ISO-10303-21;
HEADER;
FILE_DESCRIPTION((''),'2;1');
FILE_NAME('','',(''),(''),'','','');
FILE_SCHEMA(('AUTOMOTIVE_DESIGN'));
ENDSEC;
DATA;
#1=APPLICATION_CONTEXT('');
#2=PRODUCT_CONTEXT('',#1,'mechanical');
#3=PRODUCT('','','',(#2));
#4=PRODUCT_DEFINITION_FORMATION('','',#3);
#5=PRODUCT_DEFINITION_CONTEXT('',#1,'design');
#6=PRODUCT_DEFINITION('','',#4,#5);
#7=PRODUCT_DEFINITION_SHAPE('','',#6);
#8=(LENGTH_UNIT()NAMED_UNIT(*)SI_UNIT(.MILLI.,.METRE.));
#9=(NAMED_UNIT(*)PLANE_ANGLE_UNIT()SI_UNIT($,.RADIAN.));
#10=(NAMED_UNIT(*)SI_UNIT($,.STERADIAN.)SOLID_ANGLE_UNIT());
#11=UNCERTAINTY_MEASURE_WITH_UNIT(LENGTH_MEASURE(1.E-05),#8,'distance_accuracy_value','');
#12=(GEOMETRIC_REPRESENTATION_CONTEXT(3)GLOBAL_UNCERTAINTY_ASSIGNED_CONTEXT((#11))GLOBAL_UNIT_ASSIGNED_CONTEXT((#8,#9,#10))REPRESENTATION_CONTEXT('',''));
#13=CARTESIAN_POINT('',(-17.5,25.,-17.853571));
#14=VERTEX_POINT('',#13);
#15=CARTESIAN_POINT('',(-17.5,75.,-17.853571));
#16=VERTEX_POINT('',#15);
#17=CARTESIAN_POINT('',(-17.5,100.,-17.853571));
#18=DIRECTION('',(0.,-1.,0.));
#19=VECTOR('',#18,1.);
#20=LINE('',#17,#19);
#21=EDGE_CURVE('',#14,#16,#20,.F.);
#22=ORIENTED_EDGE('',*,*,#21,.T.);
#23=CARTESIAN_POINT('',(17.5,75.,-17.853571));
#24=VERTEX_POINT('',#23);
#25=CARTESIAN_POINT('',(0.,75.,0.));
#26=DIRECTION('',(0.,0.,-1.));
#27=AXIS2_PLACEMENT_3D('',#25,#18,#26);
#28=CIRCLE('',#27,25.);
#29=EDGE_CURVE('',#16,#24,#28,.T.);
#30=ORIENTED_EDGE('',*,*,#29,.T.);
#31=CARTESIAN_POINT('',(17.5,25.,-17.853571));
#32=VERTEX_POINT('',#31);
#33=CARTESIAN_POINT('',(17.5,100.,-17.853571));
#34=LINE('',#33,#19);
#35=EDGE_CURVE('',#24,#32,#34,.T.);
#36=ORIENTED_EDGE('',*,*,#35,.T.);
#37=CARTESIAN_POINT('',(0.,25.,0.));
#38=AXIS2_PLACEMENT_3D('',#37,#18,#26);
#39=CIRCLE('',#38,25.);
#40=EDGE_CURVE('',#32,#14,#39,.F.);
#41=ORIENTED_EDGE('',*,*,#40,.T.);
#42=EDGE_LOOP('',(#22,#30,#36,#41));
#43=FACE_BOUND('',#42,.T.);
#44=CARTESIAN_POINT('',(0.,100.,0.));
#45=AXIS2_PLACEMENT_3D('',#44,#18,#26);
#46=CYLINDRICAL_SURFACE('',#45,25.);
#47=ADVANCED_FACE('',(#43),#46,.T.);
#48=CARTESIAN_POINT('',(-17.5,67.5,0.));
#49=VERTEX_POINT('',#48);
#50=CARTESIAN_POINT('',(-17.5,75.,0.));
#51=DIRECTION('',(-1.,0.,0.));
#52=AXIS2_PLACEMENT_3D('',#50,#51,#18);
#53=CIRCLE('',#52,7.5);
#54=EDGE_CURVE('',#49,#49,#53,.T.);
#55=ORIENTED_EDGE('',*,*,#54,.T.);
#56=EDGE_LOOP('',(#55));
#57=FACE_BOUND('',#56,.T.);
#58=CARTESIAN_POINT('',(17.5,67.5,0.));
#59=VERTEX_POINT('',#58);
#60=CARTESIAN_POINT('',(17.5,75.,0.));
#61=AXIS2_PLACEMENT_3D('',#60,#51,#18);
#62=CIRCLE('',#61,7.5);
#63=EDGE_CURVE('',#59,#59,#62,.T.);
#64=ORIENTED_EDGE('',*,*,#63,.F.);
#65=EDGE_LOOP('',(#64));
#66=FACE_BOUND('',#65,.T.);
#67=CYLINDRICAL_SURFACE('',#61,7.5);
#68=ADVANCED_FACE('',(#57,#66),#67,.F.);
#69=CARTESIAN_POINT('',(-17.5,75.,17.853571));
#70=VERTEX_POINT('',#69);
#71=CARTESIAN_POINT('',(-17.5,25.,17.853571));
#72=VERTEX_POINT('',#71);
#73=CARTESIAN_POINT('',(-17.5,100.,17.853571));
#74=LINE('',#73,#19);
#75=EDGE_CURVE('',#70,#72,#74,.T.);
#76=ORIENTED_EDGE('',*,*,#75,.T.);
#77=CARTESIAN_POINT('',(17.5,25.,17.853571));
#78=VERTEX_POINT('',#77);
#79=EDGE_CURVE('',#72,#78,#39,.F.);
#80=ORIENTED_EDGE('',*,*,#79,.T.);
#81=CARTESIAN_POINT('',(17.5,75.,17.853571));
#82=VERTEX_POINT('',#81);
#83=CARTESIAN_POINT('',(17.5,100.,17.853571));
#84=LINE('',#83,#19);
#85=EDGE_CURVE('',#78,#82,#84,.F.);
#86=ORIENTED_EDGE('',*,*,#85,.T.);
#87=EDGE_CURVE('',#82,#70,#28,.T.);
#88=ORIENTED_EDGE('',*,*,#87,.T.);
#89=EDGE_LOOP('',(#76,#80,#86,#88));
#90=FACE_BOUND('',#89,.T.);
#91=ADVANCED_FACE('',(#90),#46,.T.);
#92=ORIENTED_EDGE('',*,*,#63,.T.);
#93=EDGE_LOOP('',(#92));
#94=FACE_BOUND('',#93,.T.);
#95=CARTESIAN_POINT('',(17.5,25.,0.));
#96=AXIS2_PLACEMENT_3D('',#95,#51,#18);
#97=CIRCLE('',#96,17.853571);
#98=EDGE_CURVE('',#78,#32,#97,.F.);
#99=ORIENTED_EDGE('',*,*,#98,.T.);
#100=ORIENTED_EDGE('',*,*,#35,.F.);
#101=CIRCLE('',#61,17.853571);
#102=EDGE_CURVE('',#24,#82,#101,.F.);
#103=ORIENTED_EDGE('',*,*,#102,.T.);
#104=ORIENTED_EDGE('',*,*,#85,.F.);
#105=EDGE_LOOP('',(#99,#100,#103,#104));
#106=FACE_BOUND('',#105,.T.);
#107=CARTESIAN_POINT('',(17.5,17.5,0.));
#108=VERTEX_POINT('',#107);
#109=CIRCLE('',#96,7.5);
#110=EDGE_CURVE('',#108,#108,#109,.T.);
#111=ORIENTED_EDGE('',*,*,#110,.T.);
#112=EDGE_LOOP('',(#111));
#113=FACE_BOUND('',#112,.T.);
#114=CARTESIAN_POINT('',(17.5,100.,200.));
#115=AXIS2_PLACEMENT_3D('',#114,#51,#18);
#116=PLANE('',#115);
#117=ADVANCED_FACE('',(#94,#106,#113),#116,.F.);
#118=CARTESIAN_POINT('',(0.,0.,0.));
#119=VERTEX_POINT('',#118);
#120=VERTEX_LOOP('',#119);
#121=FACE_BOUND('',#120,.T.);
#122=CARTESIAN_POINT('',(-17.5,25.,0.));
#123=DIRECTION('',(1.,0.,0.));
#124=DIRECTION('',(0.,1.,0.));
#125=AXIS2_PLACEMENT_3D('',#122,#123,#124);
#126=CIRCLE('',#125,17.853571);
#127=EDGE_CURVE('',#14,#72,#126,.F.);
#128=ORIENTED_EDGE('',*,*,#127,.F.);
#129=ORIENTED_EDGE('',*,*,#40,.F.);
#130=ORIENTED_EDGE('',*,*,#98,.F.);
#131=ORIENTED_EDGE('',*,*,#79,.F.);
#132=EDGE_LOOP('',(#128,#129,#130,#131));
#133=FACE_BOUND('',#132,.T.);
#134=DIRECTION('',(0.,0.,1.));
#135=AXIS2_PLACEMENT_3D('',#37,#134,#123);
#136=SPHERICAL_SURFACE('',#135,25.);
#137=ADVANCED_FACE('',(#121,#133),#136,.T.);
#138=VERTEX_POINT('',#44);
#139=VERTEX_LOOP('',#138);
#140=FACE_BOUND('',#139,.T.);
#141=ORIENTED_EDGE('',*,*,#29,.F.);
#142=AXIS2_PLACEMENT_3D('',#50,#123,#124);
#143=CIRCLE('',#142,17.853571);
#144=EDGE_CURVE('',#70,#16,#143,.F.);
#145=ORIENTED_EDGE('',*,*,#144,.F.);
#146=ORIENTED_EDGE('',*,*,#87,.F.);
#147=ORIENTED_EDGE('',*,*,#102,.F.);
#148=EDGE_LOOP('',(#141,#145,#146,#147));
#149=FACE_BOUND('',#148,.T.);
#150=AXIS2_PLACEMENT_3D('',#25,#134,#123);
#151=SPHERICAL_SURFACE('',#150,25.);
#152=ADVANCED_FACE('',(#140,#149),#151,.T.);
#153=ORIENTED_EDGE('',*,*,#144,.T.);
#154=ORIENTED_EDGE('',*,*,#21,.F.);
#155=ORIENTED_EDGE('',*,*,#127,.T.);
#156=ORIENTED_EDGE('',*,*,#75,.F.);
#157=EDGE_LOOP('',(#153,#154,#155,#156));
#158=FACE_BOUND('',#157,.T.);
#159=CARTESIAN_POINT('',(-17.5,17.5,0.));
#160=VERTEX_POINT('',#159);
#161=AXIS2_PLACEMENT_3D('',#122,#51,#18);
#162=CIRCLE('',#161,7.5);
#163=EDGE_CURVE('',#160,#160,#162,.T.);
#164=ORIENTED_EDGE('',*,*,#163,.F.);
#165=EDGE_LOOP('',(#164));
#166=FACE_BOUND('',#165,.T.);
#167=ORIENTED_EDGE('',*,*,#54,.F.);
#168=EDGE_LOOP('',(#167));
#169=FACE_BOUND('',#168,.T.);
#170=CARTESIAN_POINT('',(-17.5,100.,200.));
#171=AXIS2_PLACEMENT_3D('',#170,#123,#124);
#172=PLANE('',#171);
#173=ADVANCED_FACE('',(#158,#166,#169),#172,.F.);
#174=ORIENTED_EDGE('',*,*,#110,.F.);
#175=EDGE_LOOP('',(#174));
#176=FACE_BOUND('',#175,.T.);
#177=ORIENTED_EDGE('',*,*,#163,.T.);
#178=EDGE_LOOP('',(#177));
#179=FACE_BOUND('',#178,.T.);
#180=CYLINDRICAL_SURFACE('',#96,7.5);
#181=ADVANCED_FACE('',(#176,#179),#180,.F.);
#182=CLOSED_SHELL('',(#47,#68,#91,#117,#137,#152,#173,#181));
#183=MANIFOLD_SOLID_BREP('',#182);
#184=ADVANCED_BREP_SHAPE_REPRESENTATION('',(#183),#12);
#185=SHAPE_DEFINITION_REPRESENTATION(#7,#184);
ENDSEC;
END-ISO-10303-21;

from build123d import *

# Parameters (mm, degrees)
SKETCH_1_R               = 25
EXTRUDE_1_DEPTH          = 100
FILLET_1_R               = 25
CUT_EXTRUDE_2_DEPTH      = 200
CUT_EXTRUDE_2_DEPTH_BACK = 200
SKETCH_2_OUTSIDE_W       = 76.494
SKETCH_2_OUTSIDE_H       = 126.494
SKETCH_2_OUTSIDE_W_2     = 35
SKETCH_2_OUTSIDE_H_2     = 100
SKETCH_3_R               = 7.5
CUT_EXTRUDE_3_DEPTH      = 109.857705285


with BuildPart() as part:
    # 草图1 → 拉伸1 (new body)
    with BuildSketch(Plane(origin=(0, 0, 0), x_dir=(1, 0, 0), z_dir=(0, 1, 0))):
        Circle(SKETCH_1_R)
    extrude(amount=EXTRUDE_1_DEPTH)

    # 圆角1
    fillet_1_edges = [part.edges().sort_by_distance(p)[0] for p in [
        (-25, 0, 0),
        (-25, 100, 0),
    ]]
    fillet(fillet_1_edges, radius=FILLET_1_R)

    # 草图2 outside → 拉伸2 (cut, two sides: drawn at the far end of the back side and taken through both)
    with BuildSketch(Plane.XY.offset(-CUT_EXTRUDE_2_DEPTH_BACK)):
        with Locations((0, 50)):
            Rectangle(SKETCH_2_OUTSIDE_W, SKETCH_2_OUTSIDE_H)
        with Locations((0, 50)):
            Rectangle(SKETCH_2_OUTSIDE_W_2, SKETCH_2_OUTSIDE_H_2, mode=Mode.SUBTRACT)
    extrude(amount=CUT_EXTRUDE_2_DEPTH + CUT_EXTRUDE_2_DEPTH_BACK, mode=Mode.SUBTRACT)

    # 草图3 → 拉伸3 (cut, through all)
    with BuildSketch(Plane.ZY.offset(17.5)):
        with Locations((0, 75)):
            Circle(SKETCH_3_R)
        with Locations((0, 25)):
            Circle(SKETCH_3_R)
    extrude(amount=-CUT_EXTRUDE_3_DEPTH, mode=Mode.SUBTRACT)


solid = part.part
